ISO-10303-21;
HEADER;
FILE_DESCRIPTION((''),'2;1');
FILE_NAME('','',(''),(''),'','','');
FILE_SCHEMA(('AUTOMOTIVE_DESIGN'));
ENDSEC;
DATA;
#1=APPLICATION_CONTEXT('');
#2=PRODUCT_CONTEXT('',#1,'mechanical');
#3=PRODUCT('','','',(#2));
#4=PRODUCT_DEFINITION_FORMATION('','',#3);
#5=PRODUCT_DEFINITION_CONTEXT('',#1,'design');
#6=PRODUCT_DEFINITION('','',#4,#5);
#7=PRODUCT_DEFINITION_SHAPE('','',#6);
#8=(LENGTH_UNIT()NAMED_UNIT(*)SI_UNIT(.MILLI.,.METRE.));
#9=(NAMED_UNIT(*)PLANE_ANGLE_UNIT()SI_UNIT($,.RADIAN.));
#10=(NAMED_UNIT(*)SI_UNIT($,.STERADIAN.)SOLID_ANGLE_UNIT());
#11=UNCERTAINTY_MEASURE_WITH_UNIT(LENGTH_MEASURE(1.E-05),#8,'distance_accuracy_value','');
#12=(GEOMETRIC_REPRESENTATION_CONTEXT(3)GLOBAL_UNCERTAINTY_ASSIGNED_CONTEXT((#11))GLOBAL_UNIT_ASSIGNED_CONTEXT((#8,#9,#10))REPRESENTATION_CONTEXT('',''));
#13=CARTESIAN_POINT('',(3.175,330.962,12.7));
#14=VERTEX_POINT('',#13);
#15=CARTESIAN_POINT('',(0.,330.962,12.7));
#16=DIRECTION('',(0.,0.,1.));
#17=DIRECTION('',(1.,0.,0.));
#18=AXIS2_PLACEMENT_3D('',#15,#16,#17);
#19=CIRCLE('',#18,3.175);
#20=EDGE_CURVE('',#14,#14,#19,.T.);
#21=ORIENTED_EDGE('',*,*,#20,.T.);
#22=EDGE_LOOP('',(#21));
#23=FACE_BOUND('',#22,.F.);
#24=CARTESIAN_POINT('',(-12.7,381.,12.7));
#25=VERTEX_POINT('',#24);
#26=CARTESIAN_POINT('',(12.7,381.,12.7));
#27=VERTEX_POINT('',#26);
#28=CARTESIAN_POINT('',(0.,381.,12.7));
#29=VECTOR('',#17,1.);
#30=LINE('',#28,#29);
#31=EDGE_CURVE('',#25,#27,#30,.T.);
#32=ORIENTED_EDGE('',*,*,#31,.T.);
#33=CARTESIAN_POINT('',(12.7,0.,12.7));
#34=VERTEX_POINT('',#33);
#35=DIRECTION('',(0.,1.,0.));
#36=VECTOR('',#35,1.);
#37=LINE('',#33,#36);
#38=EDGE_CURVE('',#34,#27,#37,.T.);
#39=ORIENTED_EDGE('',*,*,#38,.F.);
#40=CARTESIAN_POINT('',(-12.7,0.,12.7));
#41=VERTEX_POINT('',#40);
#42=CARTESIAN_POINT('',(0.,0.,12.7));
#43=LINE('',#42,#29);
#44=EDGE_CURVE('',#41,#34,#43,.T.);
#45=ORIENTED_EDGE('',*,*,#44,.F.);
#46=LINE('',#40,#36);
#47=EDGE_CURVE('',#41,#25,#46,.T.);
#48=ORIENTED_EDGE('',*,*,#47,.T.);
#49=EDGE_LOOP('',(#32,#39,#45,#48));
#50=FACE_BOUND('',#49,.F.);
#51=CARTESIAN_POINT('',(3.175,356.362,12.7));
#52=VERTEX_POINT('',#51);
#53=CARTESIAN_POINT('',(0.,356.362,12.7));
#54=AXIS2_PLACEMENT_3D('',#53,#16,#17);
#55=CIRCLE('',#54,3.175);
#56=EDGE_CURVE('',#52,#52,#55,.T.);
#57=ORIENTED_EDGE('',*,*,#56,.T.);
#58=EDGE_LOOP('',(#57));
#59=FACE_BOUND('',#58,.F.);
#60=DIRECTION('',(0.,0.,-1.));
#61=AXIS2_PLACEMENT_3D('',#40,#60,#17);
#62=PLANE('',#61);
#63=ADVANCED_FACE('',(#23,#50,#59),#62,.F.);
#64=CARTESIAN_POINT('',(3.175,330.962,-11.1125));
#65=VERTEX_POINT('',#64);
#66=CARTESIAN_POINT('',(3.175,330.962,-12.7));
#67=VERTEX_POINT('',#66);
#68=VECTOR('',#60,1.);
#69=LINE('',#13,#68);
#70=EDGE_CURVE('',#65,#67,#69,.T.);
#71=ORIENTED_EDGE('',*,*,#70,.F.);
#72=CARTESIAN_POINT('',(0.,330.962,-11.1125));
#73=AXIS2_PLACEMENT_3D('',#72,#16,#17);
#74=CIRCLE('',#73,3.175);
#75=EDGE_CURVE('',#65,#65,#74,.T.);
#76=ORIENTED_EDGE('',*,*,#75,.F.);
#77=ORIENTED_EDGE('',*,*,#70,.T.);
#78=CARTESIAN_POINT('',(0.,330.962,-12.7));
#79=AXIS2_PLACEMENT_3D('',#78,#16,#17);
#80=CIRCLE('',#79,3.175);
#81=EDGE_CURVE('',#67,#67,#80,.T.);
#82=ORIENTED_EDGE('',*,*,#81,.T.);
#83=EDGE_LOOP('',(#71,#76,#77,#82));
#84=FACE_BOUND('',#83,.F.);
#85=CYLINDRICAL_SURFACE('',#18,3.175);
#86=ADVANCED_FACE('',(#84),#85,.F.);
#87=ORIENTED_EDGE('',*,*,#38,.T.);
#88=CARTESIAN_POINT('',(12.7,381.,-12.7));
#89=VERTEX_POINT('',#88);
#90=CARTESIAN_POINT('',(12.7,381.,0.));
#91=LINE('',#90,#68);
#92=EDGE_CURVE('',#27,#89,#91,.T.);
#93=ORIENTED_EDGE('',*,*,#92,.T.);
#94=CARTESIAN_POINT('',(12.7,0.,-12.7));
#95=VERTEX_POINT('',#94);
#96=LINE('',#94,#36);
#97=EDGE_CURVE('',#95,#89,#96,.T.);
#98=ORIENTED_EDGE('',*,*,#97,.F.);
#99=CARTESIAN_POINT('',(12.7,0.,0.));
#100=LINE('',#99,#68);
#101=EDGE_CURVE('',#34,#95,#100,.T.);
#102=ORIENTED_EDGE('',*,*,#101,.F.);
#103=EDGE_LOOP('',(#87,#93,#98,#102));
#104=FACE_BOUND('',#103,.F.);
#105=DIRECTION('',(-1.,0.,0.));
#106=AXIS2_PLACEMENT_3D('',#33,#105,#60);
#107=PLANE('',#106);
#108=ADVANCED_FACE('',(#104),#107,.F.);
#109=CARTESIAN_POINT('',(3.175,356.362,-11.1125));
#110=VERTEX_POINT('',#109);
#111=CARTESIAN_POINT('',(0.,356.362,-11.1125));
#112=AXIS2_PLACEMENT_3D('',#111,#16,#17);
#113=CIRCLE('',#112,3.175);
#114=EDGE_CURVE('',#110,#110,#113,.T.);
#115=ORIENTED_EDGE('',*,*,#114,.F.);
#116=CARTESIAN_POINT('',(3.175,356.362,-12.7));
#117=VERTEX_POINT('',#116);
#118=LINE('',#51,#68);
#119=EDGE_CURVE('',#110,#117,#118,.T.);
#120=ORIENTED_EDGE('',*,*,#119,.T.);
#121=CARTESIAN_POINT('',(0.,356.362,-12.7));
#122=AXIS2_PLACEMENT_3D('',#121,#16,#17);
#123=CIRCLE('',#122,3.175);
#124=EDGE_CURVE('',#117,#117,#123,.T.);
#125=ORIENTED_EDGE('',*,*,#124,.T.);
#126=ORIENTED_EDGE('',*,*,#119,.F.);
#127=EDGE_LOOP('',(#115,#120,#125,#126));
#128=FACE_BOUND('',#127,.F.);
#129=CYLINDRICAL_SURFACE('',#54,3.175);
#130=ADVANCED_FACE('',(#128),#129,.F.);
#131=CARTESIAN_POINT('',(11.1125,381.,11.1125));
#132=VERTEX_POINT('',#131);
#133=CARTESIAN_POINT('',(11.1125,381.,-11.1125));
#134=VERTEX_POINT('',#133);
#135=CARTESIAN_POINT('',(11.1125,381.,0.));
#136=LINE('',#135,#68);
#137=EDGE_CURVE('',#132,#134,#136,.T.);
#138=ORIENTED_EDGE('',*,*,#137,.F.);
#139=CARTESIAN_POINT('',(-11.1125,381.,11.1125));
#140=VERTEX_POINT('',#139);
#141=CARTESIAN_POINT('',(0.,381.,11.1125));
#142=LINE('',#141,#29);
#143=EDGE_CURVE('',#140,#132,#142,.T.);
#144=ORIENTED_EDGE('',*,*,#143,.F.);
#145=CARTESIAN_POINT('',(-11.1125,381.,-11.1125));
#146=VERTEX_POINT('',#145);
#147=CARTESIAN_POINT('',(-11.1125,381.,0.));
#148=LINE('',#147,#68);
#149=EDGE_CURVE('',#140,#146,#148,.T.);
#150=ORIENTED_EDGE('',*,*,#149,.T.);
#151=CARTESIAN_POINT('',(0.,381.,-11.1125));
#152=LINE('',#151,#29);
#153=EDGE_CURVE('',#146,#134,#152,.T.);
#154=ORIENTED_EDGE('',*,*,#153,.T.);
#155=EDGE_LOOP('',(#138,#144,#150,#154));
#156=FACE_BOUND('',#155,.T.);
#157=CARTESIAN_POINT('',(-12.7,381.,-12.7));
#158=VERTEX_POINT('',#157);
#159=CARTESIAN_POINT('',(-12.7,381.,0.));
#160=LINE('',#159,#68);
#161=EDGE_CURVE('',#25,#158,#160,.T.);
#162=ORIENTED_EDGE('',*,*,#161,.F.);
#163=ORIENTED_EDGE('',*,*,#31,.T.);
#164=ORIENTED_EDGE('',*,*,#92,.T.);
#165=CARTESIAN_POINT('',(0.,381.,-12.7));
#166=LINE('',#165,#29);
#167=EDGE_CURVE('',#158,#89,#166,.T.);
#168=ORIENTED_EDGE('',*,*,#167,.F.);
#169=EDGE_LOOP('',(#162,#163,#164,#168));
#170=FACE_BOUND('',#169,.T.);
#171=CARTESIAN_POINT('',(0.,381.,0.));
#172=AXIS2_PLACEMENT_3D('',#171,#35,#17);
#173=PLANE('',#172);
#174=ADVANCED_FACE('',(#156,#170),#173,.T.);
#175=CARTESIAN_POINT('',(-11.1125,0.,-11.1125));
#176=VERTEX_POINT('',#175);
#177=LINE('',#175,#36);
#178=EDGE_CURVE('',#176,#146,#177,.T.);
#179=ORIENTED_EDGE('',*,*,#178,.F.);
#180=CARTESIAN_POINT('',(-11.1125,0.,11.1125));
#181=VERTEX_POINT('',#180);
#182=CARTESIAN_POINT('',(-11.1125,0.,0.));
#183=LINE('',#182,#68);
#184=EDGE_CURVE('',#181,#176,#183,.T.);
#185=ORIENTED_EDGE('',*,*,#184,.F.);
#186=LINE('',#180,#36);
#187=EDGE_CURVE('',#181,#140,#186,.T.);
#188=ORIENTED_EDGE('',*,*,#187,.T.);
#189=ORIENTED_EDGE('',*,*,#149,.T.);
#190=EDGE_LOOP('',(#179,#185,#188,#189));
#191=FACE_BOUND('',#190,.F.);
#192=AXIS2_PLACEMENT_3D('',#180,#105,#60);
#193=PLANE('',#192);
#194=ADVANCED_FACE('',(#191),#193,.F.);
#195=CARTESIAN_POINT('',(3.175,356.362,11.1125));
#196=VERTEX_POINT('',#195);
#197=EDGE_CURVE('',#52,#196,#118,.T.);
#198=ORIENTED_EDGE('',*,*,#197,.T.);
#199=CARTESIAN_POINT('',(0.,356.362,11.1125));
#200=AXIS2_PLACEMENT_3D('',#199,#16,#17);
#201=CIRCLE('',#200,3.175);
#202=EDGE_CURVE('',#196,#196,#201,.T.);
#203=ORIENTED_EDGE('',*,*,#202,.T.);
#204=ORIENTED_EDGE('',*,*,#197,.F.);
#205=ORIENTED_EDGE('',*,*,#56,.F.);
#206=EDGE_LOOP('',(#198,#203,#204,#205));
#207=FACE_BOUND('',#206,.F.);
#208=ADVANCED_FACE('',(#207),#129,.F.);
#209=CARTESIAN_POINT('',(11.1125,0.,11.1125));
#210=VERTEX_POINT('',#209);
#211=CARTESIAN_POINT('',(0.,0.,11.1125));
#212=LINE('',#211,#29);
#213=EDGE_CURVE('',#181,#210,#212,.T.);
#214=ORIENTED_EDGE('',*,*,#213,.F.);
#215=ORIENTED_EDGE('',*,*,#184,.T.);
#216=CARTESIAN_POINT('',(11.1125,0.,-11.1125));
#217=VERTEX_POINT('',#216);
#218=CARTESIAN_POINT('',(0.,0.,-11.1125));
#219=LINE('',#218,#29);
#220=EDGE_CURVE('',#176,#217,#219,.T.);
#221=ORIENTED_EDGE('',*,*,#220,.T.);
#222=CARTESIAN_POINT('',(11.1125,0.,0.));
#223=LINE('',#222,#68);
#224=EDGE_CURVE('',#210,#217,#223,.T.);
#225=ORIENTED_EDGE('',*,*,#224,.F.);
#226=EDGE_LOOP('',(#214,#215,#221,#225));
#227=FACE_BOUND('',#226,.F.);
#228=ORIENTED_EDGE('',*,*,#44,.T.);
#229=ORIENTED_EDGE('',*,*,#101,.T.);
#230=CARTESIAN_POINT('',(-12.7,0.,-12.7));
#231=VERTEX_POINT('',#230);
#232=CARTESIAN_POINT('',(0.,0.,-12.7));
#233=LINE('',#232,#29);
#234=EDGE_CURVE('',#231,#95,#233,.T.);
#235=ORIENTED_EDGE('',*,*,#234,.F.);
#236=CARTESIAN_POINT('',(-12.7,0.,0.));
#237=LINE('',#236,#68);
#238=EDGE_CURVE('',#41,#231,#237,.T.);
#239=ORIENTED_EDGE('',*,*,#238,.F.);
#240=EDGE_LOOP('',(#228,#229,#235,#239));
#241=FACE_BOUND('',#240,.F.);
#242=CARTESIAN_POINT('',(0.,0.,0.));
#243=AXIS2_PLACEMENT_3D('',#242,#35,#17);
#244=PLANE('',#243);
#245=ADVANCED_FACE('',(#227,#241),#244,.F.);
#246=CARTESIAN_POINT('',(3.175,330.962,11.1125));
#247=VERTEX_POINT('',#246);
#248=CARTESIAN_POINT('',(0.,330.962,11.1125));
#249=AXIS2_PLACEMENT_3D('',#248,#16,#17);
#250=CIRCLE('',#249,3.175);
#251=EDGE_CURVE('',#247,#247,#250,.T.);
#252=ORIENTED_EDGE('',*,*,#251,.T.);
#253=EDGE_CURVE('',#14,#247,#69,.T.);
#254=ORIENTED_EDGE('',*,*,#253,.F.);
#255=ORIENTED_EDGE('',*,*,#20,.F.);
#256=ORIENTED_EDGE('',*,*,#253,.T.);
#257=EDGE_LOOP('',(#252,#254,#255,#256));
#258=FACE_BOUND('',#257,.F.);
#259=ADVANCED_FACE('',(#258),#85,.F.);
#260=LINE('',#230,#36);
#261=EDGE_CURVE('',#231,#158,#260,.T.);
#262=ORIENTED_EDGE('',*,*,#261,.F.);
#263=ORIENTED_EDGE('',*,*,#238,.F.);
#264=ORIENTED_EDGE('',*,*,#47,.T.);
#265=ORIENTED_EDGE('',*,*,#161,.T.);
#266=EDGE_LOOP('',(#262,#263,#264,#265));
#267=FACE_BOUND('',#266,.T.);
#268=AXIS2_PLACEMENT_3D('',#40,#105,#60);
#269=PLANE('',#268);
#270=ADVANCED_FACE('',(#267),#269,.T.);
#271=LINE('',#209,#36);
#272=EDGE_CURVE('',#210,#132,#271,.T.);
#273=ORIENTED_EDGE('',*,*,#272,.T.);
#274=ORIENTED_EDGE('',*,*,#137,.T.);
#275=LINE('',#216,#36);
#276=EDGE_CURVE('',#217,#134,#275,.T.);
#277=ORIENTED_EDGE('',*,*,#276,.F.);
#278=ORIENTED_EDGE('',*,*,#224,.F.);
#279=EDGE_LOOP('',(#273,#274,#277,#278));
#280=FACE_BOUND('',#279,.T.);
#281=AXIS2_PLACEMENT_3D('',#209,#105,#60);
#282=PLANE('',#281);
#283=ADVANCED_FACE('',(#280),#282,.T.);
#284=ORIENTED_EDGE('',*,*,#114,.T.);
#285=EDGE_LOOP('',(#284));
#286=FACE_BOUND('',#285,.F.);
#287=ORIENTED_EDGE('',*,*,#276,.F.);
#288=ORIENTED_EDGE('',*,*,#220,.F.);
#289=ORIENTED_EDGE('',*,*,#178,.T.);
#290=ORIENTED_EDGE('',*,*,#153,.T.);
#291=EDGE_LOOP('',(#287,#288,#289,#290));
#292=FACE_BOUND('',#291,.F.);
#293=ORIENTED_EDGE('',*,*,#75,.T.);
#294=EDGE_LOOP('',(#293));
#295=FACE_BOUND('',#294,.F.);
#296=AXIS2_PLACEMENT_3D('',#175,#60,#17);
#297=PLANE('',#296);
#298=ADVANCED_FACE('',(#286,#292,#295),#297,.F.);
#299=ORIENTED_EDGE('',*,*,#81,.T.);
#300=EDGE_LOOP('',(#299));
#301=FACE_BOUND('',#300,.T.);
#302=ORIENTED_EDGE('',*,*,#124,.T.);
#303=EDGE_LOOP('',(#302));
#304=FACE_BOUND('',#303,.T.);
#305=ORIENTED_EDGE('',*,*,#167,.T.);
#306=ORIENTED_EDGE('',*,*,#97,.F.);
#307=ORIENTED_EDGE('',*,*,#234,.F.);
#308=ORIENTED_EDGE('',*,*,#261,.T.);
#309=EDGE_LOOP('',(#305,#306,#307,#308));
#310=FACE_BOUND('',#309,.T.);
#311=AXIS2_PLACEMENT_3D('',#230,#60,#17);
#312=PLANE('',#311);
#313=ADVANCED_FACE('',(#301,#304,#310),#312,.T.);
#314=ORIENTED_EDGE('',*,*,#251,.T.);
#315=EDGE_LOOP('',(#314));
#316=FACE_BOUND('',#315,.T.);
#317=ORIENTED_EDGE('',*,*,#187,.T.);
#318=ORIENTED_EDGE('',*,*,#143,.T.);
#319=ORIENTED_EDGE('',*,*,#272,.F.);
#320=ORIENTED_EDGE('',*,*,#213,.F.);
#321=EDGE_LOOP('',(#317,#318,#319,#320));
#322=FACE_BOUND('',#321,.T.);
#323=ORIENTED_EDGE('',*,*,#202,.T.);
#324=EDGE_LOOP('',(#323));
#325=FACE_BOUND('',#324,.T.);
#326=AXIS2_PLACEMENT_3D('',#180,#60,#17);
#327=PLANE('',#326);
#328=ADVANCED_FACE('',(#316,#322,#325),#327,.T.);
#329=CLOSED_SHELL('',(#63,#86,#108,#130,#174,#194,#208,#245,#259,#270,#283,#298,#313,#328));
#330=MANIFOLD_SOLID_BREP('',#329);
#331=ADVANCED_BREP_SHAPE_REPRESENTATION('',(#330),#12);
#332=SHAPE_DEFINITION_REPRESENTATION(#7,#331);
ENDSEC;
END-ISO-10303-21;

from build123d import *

# Parameters (mm, degrees)
SKETCH1_W           = 25.4
SKETCH1_H           = 25.4
SKETCH1_W_2         = 22.225
SKETCH1_H_2         = 22.225
BOSS_EXTRUDE1_DEPTH = 381
SKETCH2_R           = 3.175
CUT_EXTRUDE1_DEPTH  = 26.4


with BuildPart() as part:
    # Sketch1 → Boss-Extrude1 (new body)
    with BuildSketch(Plane(origin=(0, 0, 0), x_dir=(1, 0, 0), z_dir=(0, 1, 0))):
        Rectangle(SKETCH1_W, SKETCH1_H)
        Rectangle(SKETCH1_W_2, SKETCH1_H_2, mode=Mode.SUBTRACT)
    extrude(amount=BOSS_EXTRUDE1_DEPTH)

    # Sketch2 → Cut-Extrude1 (cut, through all)
    with BuildSketch(Plane.XY.offset(12.7)):
        with Locations((0, 356.362)):
            Circle(SKETCH2_R)
        with Locations((0, 330.962)):
            Circle(SKETCH2_R)
    extrude(amount=-CUT_EXTRUDE1_DEPTH, mode=Mode.SUBTRACT)


solid = part.part
